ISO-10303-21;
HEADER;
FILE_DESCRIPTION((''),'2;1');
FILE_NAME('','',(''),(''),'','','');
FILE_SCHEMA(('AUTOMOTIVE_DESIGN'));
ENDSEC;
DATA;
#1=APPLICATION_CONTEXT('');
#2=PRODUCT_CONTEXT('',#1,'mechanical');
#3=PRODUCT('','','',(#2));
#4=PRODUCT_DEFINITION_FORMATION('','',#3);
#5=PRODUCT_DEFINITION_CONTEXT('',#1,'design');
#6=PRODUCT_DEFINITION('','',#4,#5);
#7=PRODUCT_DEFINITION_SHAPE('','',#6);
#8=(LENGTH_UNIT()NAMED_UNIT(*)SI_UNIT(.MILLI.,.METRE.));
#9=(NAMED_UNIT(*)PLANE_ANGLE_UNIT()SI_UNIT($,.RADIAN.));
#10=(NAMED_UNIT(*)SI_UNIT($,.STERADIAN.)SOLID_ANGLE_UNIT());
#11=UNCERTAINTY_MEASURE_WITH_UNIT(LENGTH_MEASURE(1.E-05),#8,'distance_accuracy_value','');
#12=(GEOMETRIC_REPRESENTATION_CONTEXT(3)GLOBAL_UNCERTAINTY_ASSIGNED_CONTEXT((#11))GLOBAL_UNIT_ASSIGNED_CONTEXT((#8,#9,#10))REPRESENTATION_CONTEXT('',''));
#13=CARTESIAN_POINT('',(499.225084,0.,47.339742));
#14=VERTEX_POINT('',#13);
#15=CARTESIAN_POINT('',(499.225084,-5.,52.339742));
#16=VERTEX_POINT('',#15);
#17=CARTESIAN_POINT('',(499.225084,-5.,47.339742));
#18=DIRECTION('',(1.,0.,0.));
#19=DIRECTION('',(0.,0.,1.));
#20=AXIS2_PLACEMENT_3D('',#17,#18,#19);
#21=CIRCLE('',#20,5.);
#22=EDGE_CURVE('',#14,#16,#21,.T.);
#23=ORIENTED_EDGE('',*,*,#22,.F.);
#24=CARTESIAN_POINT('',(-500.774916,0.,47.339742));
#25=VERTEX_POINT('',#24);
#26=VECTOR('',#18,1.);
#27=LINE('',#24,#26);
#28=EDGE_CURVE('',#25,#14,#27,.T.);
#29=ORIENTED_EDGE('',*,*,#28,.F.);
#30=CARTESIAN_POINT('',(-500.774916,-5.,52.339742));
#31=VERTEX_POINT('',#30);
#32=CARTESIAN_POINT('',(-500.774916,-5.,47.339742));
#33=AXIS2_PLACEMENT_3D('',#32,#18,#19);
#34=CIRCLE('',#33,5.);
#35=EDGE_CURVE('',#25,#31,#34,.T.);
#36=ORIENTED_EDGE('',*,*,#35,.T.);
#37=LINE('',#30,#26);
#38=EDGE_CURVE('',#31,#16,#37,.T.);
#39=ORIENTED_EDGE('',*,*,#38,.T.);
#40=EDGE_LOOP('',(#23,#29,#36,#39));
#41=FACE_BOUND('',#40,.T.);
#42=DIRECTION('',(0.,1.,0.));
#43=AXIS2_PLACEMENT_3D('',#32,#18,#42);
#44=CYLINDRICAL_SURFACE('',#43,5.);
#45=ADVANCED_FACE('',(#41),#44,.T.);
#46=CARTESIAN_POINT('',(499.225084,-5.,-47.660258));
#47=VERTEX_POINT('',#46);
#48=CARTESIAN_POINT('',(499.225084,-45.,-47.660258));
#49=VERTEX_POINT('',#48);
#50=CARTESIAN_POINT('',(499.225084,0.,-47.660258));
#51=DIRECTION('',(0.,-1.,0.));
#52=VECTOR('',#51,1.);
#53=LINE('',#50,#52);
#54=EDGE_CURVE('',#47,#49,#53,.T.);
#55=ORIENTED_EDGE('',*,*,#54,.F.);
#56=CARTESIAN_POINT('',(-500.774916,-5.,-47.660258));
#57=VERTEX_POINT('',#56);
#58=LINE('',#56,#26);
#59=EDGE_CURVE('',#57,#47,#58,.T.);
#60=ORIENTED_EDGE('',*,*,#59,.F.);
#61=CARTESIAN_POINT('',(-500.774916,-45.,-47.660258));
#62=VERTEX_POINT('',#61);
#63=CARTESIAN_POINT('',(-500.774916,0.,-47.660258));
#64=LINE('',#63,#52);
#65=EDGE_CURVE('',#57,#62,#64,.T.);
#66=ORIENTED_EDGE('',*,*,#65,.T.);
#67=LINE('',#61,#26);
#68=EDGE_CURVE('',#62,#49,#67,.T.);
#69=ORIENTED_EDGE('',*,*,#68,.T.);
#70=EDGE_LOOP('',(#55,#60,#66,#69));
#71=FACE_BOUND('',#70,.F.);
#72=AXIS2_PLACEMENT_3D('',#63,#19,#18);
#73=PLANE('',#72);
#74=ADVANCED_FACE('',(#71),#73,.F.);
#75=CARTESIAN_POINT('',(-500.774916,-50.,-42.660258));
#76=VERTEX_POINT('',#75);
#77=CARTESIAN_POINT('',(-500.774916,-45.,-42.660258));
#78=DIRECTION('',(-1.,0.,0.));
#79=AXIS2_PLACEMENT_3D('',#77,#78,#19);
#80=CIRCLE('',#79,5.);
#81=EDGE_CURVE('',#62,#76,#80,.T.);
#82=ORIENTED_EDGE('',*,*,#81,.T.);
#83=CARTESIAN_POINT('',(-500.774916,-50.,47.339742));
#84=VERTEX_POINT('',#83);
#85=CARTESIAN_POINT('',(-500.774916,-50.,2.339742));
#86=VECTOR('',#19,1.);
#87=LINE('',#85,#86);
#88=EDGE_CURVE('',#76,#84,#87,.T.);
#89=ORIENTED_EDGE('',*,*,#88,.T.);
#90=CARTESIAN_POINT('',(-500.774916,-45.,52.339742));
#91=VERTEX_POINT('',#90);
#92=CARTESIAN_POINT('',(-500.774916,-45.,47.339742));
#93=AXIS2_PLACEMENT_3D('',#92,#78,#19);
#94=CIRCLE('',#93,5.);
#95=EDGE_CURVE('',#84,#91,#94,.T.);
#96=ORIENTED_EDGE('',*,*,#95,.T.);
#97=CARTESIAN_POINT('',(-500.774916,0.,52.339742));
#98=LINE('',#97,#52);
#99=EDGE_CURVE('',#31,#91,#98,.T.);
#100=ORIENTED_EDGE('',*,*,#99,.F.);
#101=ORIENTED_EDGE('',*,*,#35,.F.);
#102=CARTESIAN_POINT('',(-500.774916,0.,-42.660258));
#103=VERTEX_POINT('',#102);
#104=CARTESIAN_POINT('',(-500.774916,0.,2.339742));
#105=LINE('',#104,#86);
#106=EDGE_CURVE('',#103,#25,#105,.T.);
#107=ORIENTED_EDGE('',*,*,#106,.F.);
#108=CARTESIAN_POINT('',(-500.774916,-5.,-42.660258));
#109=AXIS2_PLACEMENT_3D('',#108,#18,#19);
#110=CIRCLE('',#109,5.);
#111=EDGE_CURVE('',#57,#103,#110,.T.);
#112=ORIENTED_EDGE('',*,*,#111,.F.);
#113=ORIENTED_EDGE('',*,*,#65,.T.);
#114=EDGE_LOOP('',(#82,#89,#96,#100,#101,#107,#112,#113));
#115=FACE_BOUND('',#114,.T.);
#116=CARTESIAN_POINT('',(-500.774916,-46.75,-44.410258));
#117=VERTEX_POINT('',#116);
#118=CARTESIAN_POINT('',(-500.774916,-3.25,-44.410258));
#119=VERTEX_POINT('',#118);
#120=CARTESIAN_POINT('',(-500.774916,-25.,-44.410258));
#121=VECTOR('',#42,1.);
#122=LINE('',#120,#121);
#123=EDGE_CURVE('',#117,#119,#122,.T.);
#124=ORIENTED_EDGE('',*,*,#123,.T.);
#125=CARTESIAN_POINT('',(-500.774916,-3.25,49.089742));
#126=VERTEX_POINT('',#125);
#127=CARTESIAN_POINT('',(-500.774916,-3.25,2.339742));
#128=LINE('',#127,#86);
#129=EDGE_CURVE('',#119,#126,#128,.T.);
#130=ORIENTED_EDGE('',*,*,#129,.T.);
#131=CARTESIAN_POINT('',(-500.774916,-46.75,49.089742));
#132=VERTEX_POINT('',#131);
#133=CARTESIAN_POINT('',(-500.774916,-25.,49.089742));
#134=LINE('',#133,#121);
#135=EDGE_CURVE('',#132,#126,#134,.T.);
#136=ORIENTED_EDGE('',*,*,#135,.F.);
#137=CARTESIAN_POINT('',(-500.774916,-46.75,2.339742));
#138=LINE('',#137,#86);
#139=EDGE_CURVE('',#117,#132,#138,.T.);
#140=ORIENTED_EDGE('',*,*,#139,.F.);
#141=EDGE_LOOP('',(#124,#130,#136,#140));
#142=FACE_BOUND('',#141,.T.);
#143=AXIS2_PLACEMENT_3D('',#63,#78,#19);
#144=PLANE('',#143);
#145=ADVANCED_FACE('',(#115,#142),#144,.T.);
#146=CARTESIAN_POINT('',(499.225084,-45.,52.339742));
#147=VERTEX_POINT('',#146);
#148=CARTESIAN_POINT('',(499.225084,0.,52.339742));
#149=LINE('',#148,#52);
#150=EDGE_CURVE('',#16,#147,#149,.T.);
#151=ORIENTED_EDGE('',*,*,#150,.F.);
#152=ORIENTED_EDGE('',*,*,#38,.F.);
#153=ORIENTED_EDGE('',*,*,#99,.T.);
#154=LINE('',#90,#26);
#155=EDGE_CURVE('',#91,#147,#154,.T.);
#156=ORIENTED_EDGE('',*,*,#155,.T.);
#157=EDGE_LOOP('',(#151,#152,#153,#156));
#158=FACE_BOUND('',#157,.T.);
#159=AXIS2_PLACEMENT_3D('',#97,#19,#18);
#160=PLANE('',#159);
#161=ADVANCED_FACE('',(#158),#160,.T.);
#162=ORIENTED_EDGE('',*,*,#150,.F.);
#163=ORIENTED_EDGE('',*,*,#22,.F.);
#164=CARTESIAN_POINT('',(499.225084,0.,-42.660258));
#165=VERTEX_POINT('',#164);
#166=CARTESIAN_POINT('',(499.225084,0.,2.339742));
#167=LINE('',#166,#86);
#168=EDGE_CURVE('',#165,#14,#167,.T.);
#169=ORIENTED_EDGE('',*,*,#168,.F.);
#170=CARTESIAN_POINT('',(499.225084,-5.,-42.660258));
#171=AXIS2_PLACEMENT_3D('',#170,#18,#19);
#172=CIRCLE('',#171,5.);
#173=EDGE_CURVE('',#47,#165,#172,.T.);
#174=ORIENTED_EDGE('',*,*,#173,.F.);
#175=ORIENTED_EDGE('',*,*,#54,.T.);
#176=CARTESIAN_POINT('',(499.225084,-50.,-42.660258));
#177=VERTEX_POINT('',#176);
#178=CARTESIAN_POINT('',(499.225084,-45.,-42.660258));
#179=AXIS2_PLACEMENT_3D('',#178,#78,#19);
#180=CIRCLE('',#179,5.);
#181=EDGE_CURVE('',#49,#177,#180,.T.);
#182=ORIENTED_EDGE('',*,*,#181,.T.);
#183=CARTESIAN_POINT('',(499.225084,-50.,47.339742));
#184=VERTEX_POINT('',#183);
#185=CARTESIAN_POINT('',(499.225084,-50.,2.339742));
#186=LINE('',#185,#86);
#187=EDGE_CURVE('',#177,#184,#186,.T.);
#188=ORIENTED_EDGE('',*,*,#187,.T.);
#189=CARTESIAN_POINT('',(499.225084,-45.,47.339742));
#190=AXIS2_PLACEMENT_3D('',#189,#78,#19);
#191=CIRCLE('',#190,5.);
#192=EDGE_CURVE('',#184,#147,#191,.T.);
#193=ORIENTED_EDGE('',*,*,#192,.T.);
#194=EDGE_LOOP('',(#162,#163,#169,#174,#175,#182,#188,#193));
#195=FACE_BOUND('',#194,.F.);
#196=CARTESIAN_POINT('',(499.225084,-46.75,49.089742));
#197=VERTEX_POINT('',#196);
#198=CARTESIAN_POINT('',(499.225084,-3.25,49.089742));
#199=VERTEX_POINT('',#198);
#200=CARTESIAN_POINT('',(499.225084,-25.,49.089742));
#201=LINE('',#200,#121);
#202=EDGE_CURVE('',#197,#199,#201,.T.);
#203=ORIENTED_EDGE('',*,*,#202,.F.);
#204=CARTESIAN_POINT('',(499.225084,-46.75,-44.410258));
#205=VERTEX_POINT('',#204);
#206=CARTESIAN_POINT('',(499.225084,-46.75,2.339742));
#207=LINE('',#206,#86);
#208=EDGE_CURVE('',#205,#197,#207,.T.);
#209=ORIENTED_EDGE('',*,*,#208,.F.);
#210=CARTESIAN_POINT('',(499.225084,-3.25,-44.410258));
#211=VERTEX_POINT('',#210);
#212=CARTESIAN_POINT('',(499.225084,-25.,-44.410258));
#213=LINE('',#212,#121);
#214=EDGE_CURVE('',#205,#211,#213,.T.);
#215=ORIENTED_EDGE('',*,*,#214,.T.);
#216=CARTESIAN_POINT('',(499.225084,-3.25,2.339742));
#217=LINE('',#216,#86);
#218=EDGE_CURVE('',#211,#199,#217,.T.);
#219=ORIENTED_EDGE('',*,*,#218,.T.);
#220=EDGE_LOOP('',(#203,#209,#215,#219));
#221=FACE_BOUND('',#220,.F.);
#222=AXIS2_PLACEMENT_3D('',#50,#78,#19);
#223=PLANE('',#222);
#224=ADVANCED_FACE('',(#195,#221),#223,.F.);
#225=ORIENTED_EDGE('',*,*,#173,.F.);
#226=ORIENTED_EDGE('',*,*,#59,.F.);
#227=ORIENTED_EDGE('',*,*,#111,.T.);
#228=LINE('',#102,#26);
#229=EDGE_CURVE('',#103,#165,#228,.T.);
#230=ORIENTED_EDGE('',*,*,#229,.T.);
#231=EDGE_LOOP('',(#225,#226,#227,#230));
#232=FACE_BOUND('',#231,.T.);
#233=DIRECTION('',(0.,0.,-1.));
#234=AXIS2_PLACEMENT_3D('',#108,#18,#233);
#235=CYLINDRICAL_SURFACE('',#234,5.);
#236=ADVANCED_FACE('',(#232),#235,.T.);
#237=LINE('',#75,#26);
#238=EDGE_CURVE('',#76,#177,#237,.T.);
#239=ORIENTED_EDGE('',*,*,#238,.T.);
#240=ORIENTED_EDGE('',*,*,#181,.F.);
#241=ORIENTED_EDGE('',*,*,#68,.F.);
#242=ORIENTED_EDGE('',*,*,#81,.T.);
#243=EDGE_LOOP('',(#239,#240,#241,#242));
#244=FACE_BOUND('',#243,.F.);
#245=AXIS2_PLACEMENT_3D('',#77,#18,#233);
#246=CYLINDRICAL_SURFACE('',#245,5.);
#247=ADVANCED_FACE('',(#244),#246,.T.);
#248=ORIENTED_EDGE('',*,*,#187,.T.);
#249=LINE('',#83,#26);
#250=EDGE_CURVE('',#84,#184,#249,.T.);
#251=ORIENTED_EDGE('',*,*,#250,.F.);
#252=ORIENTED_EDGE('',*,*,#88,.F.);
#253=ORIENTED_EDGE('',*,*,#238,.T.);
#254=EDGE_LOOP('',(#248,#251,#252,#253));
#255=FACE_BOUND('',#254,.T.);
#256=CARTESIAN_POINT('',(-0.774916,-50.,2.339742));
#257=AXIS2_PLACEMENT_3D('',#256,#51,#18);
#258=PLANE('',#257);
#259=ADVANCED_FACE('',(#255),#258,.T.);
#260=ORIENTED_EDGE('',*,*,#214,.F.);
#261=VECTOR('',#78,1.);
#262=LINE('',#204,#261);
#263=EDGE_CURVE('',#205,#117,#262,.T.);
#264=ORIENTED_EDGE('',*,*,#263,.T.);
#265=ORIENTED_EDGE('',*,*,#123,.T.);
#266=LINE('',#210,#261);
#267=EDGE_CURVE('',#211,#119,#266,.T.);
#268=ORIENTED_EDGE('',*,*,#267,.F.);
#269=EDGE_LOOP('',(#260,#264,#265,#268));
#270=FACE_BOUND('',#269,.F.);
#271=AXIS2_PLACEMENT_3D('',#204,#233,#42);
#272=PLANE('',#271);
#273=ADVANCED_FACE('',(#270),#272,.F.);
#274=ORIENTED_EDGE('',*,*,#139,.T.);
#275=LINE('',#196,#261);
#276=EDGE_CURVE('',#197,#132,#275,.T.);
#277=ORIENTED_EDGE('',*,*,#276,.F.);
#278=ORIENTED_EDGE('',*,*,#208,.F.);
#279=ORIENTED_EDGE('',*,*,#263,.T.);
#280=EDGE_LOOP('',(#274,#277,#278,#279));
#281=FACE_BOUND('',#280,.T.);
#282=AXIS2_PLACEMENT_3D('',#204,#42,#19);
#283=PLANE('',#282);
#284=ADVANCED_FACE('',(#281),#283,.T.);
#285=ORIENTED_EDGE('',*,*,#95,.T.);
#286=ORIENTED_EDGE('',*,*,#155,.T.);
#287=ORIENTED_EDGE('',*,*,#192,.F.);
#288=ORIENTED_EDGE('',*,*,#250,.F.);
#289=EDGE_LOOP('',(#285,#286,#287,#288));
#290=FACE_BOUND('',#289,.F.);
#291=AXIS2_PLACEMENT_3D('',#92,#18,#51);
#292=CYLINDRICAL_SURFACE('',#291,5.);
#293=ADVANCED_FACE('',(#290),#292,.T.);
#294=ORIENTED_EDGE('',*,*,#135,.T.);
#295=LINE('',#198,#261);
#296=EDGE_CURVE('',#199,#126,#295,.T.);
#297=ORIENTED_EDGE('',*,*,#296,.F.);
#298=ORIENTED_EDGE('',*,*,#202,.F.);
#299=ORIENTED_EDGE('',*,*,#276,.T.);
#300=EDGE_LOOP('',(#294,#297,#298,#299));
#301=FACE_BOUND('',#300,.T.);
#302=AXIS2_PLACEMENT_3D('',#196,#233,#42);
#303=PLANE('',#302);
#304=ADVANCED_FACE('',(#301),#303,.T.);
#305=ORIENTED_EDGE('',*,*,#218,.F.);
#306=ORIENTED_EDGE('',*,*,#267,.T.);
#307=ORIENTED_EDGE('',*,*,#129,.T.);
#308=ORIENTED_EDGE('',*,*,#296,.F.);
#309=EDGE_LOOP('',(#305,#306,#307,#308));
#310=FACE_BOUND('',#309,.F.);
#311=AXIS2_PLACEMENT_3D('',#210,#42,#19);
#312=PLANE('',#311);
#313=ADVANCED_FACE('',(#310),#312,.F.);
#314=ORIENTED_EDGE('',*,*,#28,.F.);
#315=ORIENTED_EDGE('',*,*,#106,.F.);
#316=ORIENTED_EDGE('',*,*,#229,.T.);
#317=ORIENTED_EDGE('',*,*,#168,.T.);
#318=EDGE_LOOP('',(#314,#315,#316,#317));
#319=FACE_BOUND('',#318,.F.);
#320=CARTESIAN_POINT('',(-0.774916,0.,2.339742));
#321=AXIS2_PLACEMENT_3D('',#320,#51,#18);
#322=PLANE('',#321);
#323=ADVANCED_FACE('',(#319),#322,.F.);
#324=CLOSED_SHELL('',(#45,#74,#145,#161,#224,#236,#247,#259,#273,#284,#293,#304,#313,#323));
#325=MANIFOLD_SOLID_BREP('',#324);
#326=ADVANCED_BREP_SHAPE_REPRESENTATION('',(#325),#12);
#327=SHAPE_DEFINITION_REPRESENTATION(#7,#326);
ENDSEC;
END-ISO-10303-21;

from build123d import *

# Parameters (mm, degrees)
F0_W     = 1000
F0_H     = 100
F1_DEPTH = 50
F2_W     = 43.5
F2_H     = 93.5
F3_DEPTH = 1000
F4_R     = 5


with BuildPart() as f1:
    # F0 (on Front) → F1 (new body)
    with BuildSketch(Plane.XZ):
        with Locations((-0.774916, 2.339742)):
            Rectangle(F0_W, F0_H)
    extrude(amount=F1_DEPTH)

    # F2 (on face) → F3 (cut, through all)
    with BuildSketch(Plane.YZ.offset(499.225084)):
        with Locations((-25, 2.339742)):
            Rectangle(F2_W, F2_H)
    extrude(amount=-F3_DEPTH, mode=Mode.SUBTRACT)

    # F4
    f4_edges = [f1.edges().sort_by_distance(p)[0] for p in [
        (-0.774916, -50, 52.339742),
        (-0.774916, 0, 52.339742),
        (-0.774916, -50, -47.660258),
        (-0.774916, 0, -47.660258),
    ]]
    fillet(f4_edges, radius=F4_R)


solid = f1.part
